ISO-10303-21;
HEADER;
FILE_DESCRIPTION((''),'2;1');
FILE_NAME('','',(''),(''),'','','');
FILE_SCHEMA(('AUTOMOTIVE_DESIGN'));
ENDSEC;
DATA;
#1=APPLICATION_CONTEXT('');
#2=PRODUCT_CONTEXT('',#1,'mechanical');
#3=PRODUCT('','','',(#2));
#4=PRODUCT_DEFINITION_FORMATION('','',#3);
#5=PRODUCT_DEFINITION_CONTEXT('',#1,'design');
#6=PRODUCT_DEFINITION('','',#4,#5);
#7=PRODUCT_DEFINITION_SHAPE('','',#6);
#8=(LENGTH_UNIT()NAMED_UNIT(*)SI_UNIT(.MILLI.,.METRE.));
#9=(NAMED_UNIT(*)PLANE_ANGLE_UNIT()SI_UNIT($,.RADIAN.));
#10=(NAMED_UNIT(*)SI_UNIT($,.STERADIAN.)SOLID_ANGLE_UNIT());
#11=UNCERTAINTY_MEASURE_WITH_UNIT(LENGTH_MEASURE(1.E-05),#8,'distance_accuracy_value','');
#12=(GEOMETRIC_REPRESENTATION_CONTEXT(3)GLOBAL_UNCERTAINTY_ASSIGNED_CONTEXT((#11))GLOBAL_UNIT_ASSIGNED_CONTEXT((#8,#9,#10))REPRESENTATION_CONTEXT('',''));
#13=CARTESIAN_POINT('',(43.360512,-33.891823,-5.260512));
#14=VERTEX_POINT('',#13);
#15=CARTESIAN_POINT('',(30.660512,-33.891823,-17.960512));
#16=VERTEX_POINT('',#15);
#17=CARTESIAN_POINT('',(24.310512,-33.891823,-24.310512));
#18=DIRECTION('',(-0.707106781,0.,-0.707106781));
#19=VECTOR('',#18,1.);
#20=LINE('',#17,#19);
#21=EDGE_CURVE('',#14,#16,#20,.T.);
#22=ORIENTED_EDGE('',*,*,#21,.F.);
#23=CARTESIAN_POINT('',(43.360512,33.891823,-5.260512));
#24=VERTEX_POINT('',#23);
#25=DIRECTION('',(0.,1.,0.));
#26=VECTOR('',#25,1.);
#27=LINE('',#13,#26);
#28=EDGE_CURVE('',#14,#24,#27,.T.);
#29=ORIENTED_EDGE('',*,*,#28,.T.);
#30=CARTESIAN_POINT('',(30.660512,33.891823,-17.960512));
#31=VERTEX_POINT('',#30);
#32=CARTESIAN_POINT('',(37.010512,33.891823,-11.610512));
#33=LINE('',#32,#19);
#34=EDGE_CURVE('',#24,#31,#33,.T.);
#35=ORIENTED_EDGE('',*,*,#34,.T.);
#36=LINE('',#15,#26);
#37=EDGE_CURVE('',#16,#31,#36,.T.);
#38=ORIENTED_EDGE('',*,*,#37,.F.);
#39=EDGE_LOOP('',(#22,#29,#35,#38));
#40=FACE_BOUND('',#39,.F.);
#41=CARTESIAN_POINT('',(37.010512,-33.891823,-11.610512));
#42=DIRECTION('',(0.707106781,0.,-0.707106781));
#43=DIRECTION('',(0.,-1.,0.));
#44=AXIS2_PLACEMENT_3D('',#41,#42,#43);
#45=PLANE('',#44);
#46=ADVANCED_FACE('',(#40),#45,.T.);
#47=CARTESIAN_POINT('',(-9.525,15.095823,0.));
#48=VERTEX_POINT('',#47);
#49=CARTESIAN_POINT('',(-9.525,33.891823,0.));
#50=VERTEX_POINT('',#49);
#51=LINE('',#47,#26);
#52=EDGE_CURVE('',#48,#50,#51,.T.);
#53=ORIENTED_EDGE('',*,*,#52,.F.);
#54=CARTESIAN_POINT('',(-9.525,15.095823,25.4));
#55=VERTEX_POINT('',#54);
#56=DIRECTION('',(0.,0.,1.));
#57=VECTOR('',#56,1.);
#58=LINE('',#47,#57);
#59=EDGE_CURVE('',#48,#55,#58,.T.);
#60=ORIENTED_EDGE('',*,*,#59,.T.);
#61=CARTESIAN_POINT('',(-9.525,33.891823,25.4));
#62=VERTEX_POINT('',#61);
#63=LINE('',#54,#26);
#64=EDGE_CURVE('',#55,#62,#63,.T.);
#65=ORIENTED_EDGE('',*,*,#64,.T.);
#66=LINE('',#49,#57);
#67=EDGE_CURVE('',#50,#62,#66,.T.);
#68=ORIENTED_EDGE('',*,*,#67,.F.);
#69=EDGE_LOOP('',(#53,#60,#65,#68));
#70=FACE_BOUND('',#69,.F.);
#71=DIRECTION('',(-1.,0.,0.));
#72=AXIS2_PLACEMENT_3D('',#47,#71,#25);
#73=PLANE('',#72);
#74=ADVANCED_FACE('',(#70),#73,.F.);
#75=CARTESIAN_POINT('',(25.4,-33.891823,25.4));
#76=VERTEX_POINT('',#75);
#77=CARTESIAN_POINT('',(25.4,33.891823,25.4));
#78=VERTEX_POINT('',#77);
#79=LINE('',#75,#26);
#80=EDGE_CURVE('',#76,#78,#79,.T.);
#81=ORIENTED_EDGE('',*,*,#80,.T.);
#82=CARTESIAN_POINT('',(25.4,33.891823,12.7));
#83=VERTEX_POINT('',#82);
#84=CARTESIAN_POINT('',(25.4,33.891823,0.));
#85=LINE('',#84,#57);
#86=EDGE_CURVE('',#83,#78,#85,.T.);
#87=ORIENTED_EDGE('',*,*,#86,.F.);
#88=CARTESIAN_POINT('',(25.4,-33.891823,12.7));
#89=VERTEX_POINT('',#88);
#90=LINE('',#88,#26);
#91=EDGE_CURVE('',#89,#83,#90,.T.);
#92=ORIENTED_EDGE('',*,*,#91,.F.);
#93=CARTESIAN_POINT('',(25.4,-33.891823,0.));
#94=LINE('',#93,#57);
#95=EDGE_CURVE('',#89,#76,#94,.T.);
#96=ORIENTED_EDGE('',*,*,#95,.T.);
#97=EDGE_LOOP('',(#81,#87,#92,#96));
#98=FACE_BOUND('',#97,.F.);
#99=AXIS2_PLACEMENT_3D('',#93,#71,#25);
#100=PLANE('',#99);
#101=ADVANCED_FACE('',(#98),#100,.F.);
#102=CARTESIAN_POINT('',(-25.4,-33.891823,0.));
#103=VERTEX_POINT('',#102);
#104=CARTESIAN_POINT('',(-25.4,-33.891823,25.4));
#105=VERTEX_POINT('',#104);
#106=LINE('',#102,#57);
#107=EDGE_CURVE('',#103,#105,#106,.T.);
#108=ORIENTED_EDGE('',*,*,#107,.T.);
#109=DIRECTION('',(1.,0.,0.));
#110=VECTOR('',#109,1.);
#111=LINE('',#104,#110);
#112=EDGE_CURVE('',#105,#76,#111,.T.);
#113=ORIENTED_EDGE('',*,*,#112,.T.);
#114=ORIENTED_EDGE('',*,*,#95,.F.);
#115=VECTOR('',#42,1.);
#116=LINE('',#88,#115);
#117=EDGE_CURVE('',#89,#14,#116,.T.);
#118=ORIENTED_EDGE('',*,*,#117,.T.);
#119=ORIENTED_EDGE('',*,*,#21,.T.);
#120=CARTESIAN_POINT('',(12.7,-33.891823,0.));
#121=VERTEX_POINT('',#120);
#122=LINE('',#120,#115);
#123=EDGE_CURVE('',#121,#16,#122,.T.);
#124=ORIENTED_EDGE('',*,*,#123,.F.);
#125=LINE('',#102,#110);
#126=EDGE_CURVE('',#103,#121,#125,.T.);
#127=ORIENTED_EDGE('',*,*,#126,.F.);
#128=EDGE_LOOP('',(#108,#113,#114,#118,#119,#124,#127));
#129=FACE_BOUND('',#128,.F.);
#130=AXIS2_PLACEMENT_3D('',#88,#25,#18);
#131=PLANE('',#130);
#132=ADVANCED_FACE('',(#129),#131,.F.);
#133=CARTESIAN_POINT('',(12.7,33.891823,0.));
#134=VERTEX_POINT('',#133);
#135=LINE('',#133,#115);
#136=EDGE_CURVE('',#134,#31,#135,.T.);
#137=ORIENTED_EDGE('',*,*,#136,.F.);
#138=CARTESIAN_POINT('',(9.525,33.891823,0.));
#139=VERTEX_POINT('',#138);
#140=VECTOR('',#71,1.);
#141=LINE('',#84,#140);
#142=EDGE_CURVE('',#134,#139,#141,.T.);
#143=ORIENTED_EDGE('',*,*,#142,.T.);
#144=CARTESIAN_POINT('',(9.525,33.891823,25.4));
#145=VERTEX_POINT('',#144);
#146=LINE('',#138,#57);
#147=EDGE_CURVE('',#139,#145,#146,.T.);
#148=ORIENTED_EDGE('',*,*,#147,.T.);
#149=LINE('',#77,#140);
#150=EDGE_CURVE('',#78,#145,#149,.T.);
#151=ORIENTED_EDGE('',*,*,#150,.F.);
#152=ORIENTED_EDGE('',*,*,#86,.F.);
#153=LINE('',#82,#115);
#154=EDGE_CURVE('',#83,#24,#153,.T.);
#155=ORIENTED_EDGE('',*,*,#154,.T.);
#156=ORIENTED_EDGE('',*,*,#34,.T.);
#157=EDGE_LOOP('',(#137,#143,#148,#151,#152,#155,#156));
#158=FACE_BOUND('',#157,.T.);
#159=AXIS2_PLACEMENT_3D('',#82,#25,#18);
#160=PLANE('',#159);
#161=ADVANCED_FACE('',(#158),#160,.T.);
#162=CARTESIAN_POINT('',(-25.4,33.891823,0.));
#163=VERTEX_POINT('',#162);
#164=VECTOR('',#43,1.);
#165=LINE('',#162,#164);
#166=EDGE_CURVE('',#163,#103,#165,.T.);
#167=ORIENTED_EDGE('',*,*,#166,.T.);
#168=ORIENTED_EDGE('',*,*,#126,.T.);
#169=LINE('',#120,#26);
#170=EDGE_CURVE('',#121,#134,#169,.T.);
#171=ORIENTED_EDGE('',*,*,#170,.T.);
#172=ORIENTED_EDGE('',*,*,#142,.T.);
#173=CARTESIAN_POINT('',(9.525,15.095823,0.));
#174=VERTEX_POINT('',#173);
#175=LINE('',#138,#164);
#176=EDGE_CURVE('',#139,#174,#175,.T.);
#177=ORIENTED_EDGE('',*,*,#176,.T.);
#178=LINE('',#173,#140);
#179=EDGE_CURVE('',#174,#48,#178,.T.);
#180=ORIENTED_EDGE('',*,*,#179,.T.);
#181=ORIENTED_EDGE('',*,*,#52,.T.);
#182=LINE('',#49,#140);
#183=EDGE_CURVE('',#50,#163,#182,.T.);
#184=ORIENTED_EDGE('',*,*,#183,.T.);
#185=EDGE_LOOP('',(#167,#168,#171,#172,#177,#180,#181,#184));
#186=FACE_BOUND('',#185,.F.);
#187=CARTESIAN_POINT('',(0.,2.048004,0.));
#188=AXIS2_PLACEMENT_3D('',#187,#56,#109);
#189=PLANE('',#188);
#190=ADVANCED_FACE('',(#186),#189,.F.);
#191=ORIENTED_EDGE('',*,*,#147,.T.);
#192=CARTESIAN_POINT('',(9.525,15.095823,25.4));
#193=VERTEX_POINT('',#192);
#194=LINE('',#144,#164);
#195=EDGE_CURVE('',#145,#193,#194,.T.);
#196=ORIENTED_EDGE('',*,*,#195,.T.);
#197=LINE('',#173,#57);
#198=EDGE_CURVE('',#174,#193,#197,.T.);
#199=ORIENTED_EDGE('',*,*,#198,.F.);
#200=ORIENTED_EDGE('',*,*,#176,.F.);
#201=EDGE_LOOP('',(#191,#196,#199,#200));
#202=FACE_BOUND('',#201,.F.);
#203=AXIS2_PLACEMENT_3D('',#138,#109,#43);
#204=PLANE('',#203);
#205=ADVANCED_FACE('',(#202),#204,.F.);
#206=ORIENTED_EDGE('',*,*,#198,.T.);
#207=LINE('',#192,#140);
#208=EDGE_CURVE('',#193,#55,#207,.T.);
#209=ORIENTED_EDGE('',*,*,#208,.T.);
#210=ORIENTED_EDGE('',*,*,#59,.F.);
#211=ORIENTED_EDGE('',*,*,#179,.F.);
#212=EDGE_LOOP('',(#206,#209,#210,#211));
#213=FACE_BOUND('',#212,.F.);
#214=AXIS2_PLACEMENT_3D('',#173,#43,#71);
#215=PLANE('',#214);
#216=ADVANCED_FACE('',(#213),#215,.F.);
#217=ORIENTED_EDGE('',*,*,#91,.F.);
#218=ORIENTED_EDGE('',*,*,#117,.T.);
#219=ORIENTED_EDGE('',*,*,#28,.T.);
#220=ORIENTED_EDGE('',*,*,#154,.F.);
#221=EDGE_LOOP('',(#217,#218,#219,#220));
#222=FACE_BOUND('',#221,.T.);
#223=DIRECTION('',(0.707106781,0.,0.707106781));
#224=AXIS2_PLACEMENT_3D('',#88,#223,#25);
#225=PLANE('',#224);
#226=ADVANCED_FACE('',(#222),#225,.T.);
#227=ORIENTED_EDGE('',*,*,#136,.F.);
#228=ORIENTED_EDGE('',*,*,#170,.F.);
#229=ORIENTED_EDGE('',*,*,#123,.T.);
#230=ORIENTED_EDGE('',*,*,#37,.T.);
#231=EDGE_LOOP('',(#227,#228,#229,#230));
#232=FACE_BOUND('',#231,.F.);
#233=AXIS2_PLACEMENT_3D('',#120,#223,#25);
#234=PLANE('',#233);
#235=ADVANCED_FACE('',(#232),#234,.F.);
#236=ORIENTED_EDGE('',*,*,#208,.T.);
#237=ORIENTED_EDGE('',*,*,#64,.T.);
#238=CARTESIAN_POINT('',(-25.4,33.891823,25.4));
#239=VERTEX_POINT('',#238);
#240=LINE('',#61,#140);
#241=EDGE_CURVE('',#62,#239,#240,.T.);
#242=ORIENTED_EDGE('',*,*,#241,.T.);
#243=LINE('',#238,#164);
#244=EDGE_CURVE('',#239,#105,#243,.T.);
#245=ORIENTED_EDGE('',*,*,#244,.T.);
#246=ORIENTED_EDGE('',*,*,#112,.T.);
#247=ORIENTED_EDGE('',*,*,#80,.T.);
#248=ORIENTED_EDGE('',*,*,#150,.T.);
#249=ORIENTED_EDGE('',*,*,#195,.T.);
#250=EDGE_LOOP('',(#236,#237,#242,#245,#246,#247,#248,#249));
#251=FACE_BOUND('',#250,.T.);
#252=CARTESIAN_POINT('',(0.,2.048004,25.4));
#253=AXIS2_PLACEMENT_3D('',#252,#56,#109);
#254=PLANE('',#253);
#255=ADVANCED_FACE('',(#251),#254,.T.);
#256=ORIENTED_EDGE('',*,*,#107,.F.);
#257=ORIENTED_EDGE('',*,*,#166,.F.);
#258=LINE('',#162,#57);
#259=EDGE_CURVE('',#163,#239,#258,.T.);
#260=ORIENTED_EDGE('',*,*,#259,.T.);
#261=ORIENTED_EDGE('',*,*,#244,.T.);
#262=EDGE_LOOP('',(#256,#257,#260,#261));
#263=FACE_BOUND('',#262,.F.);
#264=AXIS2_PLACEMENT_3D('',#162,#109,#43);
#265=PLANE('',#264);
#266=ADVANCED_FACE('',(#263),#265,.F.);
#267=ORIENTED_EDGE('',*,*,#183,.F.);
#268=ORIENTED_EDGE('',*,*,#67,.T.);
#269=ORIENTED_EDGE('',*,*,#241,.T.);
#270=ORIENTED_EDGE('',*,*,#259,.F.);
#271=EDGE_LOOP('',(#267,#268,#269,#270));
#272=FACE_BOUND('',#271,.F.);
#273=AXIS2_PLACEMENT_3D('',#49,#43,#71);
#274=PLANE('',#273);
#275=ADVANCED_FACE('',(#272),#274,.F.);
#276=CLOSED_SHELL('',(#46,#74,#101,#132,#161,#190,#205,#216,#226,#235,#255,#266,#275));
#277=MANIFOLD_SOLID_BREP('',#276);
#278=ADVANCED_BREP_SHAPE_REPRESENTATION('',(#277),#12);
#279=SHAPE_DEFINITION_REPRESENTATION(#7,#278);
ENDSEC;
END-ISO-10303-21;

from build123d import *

# Parameters (mm, degrees)
F1_DEPTH = 25.4
F2_SIZE  = 12.7
F3_DEPTH = 25.4


with BuildPart() as f1:
    # F0 (on Top) → F1 (new body)
    with BuildSketch(Plane.XY):
        Polygon((-25.4, -33.8918231428), (25.4, -33.8918231428), (25.4, 33.8918231428), (9.525, 33.8918231428), (9.525, 15.0958231428), (-9.525, 15.0958231428), (-9.525, 33.8918231428), (-25.4, 33.8918231428), align=None)
    extrude(amount=F1_DEPTH)

    # F2
    f2_edges = [f1.edges().sort_by_distance(p)[0] for p in [
        (25.4, 0, 0),
    ]]
    chamfer(f2_edges, length=F2_SIZE)

    # F3 (add): a face of the model
    f3_faces = [f1.faces().sort_by_distance(p)[0] for p in [
        (19.05, 0, 6.35),
    ]]
    extrude(f3_faces, amount=F3_DEPTH)


solid = f1.part
